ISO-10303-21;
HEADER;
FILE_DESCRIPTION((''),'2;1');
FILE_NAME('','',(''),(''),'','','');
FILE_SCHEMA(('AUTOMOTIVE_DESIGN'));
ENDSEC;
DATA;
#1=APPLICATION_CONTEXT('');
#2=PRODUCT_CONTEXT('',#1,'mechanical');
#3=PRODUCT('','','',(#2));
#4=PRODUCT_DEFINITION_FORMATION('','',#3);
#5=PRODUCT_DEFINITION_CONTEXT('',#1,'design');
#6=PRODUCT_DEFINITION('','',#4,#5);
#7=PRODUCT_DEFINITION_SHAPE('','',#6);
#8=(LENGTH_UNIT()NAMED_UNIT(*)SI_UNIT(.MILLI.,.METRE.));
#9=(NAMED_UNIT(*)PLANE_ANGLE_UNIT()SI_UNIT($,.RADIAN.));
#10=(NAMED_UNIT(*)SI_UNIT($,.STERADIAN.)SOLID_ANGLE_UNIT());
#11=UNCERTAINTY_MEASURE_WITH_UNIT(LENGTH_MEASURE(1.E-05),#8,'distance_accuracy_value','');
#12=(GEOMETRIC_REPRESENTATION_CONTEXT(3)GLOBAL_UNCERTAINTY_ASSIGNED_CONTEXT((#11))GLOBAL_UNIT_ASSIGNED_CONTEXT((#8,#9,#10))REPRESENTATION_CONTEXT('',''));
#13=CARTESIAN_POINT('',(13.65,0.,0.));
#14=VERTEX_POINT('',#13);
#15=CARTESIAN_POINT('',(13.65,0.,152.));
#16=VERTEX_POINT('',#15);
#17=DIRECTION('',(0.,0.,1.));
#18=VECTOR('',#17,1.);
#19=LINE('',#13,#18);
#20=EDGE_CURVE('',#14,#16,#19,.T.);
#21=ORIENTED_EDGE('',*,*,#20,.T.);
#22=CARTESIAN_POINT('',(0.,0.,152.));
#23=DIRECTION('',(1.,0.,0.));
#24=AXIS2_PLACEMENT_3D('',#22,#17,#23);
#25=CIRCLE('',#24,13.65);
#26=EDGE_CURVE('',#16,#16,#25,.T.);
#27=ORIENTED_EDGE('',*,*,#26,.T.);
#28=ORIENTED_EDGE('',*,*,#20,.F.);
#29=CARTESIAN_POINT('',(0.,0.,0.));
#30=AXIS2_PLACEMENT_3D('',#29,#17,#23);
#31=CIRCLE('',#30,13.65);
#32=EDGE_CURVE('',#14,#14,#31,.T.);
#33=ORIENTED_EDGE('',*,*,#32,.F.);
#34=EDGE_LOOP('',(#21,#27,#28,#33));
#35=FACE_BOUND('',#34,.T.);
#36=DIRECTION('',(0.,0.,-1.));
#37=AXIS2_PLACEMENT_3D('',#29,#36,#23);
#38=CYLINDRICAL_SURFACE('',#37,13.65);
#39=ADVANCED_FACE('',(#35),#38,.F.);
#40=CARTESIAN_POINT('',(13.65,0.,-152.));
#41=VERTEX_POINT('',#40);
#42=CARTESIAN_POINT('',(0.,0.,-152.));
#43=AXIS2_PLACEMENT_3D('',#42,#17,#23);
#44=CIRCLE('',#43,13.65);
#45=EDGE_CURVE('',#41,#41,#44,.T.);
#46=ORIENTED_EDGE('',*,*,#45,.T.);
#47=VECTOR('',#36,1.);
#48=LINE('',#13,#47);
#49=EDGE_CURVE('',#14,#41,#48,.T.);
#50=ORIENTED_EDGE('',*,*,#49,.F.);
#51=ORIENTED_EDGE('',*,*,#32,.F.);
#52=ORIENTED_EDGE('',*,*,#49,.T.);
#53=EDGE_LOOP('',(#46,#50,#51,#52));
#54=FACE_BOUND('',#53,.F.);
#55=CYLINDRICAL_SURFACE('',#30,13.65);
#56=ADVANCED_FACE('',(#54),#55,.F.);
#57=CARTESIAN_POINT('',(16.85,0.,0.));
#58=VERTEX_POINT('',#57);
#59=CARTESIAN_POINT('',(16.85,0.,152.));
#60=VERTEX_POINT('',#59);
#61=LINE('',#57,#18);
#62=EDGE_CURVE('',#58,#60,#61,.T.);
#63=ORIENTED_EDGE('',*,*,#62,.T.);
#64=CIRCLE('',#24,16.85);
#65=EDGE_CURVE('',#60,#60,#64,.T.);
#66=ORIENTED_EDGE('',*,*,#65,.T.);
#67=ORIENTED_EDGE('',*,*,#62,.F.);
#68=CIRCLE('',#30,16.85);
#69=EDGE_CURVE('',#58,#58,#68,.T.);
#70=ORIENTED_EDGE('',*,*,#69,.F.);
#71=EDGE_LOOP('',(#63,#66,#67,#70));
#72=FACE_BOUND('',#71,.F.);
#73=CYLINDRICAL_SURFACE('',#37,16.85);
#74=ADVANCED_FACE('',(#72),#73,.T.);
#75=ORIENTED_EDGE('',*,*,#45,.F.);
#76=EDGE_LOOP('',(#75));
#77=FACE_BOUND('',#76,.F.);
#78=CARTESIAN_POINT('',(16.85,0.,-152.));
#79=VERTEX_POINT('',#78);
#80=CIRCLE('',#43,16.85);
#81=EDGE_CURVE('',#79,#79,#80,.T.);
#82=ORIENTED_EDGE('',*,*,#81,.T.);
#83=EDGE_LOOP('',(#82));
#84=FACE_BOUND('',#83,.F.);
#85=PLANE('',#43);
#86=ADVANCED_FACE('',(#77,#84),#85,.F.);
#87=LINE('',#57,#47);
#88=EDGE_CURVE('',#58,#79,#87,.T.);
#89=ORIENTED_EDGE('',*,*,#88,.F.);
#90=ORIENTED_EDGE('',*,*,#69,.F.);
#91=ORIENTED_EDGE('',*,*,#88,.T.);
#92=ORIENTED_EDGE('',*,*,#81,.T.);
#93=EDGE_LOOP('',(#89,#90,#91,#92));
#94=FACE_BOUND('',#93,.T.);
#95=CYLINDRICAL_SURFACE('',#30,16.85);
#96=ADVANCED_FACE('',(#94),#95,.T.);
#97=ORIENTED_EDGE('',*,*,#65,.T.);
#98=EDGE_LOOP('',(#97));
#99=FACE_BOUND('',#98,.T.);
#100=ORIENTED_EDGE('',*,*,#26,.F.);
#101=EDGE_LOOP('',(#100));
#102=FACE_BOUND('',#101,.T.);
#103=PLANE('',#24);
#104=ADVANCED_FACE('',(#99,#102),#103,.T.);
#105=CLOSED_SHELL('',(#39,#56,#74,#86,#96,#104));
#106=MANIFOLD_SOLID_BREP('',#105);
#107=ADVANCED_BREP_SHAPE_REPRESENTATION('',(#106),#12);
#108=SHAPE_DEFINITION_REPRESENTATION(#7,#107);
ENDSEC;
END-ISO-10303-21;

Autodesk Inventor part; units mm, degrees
ref_plane "YZ Plane" through (0, 0, 0) normal (1, 0, 0) x (0, 1, 0)
ref_plane "XZ Plane" through (0, 0, 0) normal (0, 1, 0) x (-1, 0, 0)
ref_plane "XY Plane" through (0, 0, 0) normal (0, 0, 1) x (1, 0, 0)
sketch "Sketch1" plane through (0, 0, 0) normal (0, 0, 1) x (1, 0, 0)
  circle A0 centre (0, 0) radius 16.85
  circle A1 centre (0, 0) radius 13.65
  dimension "OD" = 33.7
  dimension "t" = 3.2
extrude "Extrusion1" add sketch "Sketch1" along normal mid plane 304
equation "\"size\" = 6"
properties part number "DTa" material "Aluminium 6082 T6"
